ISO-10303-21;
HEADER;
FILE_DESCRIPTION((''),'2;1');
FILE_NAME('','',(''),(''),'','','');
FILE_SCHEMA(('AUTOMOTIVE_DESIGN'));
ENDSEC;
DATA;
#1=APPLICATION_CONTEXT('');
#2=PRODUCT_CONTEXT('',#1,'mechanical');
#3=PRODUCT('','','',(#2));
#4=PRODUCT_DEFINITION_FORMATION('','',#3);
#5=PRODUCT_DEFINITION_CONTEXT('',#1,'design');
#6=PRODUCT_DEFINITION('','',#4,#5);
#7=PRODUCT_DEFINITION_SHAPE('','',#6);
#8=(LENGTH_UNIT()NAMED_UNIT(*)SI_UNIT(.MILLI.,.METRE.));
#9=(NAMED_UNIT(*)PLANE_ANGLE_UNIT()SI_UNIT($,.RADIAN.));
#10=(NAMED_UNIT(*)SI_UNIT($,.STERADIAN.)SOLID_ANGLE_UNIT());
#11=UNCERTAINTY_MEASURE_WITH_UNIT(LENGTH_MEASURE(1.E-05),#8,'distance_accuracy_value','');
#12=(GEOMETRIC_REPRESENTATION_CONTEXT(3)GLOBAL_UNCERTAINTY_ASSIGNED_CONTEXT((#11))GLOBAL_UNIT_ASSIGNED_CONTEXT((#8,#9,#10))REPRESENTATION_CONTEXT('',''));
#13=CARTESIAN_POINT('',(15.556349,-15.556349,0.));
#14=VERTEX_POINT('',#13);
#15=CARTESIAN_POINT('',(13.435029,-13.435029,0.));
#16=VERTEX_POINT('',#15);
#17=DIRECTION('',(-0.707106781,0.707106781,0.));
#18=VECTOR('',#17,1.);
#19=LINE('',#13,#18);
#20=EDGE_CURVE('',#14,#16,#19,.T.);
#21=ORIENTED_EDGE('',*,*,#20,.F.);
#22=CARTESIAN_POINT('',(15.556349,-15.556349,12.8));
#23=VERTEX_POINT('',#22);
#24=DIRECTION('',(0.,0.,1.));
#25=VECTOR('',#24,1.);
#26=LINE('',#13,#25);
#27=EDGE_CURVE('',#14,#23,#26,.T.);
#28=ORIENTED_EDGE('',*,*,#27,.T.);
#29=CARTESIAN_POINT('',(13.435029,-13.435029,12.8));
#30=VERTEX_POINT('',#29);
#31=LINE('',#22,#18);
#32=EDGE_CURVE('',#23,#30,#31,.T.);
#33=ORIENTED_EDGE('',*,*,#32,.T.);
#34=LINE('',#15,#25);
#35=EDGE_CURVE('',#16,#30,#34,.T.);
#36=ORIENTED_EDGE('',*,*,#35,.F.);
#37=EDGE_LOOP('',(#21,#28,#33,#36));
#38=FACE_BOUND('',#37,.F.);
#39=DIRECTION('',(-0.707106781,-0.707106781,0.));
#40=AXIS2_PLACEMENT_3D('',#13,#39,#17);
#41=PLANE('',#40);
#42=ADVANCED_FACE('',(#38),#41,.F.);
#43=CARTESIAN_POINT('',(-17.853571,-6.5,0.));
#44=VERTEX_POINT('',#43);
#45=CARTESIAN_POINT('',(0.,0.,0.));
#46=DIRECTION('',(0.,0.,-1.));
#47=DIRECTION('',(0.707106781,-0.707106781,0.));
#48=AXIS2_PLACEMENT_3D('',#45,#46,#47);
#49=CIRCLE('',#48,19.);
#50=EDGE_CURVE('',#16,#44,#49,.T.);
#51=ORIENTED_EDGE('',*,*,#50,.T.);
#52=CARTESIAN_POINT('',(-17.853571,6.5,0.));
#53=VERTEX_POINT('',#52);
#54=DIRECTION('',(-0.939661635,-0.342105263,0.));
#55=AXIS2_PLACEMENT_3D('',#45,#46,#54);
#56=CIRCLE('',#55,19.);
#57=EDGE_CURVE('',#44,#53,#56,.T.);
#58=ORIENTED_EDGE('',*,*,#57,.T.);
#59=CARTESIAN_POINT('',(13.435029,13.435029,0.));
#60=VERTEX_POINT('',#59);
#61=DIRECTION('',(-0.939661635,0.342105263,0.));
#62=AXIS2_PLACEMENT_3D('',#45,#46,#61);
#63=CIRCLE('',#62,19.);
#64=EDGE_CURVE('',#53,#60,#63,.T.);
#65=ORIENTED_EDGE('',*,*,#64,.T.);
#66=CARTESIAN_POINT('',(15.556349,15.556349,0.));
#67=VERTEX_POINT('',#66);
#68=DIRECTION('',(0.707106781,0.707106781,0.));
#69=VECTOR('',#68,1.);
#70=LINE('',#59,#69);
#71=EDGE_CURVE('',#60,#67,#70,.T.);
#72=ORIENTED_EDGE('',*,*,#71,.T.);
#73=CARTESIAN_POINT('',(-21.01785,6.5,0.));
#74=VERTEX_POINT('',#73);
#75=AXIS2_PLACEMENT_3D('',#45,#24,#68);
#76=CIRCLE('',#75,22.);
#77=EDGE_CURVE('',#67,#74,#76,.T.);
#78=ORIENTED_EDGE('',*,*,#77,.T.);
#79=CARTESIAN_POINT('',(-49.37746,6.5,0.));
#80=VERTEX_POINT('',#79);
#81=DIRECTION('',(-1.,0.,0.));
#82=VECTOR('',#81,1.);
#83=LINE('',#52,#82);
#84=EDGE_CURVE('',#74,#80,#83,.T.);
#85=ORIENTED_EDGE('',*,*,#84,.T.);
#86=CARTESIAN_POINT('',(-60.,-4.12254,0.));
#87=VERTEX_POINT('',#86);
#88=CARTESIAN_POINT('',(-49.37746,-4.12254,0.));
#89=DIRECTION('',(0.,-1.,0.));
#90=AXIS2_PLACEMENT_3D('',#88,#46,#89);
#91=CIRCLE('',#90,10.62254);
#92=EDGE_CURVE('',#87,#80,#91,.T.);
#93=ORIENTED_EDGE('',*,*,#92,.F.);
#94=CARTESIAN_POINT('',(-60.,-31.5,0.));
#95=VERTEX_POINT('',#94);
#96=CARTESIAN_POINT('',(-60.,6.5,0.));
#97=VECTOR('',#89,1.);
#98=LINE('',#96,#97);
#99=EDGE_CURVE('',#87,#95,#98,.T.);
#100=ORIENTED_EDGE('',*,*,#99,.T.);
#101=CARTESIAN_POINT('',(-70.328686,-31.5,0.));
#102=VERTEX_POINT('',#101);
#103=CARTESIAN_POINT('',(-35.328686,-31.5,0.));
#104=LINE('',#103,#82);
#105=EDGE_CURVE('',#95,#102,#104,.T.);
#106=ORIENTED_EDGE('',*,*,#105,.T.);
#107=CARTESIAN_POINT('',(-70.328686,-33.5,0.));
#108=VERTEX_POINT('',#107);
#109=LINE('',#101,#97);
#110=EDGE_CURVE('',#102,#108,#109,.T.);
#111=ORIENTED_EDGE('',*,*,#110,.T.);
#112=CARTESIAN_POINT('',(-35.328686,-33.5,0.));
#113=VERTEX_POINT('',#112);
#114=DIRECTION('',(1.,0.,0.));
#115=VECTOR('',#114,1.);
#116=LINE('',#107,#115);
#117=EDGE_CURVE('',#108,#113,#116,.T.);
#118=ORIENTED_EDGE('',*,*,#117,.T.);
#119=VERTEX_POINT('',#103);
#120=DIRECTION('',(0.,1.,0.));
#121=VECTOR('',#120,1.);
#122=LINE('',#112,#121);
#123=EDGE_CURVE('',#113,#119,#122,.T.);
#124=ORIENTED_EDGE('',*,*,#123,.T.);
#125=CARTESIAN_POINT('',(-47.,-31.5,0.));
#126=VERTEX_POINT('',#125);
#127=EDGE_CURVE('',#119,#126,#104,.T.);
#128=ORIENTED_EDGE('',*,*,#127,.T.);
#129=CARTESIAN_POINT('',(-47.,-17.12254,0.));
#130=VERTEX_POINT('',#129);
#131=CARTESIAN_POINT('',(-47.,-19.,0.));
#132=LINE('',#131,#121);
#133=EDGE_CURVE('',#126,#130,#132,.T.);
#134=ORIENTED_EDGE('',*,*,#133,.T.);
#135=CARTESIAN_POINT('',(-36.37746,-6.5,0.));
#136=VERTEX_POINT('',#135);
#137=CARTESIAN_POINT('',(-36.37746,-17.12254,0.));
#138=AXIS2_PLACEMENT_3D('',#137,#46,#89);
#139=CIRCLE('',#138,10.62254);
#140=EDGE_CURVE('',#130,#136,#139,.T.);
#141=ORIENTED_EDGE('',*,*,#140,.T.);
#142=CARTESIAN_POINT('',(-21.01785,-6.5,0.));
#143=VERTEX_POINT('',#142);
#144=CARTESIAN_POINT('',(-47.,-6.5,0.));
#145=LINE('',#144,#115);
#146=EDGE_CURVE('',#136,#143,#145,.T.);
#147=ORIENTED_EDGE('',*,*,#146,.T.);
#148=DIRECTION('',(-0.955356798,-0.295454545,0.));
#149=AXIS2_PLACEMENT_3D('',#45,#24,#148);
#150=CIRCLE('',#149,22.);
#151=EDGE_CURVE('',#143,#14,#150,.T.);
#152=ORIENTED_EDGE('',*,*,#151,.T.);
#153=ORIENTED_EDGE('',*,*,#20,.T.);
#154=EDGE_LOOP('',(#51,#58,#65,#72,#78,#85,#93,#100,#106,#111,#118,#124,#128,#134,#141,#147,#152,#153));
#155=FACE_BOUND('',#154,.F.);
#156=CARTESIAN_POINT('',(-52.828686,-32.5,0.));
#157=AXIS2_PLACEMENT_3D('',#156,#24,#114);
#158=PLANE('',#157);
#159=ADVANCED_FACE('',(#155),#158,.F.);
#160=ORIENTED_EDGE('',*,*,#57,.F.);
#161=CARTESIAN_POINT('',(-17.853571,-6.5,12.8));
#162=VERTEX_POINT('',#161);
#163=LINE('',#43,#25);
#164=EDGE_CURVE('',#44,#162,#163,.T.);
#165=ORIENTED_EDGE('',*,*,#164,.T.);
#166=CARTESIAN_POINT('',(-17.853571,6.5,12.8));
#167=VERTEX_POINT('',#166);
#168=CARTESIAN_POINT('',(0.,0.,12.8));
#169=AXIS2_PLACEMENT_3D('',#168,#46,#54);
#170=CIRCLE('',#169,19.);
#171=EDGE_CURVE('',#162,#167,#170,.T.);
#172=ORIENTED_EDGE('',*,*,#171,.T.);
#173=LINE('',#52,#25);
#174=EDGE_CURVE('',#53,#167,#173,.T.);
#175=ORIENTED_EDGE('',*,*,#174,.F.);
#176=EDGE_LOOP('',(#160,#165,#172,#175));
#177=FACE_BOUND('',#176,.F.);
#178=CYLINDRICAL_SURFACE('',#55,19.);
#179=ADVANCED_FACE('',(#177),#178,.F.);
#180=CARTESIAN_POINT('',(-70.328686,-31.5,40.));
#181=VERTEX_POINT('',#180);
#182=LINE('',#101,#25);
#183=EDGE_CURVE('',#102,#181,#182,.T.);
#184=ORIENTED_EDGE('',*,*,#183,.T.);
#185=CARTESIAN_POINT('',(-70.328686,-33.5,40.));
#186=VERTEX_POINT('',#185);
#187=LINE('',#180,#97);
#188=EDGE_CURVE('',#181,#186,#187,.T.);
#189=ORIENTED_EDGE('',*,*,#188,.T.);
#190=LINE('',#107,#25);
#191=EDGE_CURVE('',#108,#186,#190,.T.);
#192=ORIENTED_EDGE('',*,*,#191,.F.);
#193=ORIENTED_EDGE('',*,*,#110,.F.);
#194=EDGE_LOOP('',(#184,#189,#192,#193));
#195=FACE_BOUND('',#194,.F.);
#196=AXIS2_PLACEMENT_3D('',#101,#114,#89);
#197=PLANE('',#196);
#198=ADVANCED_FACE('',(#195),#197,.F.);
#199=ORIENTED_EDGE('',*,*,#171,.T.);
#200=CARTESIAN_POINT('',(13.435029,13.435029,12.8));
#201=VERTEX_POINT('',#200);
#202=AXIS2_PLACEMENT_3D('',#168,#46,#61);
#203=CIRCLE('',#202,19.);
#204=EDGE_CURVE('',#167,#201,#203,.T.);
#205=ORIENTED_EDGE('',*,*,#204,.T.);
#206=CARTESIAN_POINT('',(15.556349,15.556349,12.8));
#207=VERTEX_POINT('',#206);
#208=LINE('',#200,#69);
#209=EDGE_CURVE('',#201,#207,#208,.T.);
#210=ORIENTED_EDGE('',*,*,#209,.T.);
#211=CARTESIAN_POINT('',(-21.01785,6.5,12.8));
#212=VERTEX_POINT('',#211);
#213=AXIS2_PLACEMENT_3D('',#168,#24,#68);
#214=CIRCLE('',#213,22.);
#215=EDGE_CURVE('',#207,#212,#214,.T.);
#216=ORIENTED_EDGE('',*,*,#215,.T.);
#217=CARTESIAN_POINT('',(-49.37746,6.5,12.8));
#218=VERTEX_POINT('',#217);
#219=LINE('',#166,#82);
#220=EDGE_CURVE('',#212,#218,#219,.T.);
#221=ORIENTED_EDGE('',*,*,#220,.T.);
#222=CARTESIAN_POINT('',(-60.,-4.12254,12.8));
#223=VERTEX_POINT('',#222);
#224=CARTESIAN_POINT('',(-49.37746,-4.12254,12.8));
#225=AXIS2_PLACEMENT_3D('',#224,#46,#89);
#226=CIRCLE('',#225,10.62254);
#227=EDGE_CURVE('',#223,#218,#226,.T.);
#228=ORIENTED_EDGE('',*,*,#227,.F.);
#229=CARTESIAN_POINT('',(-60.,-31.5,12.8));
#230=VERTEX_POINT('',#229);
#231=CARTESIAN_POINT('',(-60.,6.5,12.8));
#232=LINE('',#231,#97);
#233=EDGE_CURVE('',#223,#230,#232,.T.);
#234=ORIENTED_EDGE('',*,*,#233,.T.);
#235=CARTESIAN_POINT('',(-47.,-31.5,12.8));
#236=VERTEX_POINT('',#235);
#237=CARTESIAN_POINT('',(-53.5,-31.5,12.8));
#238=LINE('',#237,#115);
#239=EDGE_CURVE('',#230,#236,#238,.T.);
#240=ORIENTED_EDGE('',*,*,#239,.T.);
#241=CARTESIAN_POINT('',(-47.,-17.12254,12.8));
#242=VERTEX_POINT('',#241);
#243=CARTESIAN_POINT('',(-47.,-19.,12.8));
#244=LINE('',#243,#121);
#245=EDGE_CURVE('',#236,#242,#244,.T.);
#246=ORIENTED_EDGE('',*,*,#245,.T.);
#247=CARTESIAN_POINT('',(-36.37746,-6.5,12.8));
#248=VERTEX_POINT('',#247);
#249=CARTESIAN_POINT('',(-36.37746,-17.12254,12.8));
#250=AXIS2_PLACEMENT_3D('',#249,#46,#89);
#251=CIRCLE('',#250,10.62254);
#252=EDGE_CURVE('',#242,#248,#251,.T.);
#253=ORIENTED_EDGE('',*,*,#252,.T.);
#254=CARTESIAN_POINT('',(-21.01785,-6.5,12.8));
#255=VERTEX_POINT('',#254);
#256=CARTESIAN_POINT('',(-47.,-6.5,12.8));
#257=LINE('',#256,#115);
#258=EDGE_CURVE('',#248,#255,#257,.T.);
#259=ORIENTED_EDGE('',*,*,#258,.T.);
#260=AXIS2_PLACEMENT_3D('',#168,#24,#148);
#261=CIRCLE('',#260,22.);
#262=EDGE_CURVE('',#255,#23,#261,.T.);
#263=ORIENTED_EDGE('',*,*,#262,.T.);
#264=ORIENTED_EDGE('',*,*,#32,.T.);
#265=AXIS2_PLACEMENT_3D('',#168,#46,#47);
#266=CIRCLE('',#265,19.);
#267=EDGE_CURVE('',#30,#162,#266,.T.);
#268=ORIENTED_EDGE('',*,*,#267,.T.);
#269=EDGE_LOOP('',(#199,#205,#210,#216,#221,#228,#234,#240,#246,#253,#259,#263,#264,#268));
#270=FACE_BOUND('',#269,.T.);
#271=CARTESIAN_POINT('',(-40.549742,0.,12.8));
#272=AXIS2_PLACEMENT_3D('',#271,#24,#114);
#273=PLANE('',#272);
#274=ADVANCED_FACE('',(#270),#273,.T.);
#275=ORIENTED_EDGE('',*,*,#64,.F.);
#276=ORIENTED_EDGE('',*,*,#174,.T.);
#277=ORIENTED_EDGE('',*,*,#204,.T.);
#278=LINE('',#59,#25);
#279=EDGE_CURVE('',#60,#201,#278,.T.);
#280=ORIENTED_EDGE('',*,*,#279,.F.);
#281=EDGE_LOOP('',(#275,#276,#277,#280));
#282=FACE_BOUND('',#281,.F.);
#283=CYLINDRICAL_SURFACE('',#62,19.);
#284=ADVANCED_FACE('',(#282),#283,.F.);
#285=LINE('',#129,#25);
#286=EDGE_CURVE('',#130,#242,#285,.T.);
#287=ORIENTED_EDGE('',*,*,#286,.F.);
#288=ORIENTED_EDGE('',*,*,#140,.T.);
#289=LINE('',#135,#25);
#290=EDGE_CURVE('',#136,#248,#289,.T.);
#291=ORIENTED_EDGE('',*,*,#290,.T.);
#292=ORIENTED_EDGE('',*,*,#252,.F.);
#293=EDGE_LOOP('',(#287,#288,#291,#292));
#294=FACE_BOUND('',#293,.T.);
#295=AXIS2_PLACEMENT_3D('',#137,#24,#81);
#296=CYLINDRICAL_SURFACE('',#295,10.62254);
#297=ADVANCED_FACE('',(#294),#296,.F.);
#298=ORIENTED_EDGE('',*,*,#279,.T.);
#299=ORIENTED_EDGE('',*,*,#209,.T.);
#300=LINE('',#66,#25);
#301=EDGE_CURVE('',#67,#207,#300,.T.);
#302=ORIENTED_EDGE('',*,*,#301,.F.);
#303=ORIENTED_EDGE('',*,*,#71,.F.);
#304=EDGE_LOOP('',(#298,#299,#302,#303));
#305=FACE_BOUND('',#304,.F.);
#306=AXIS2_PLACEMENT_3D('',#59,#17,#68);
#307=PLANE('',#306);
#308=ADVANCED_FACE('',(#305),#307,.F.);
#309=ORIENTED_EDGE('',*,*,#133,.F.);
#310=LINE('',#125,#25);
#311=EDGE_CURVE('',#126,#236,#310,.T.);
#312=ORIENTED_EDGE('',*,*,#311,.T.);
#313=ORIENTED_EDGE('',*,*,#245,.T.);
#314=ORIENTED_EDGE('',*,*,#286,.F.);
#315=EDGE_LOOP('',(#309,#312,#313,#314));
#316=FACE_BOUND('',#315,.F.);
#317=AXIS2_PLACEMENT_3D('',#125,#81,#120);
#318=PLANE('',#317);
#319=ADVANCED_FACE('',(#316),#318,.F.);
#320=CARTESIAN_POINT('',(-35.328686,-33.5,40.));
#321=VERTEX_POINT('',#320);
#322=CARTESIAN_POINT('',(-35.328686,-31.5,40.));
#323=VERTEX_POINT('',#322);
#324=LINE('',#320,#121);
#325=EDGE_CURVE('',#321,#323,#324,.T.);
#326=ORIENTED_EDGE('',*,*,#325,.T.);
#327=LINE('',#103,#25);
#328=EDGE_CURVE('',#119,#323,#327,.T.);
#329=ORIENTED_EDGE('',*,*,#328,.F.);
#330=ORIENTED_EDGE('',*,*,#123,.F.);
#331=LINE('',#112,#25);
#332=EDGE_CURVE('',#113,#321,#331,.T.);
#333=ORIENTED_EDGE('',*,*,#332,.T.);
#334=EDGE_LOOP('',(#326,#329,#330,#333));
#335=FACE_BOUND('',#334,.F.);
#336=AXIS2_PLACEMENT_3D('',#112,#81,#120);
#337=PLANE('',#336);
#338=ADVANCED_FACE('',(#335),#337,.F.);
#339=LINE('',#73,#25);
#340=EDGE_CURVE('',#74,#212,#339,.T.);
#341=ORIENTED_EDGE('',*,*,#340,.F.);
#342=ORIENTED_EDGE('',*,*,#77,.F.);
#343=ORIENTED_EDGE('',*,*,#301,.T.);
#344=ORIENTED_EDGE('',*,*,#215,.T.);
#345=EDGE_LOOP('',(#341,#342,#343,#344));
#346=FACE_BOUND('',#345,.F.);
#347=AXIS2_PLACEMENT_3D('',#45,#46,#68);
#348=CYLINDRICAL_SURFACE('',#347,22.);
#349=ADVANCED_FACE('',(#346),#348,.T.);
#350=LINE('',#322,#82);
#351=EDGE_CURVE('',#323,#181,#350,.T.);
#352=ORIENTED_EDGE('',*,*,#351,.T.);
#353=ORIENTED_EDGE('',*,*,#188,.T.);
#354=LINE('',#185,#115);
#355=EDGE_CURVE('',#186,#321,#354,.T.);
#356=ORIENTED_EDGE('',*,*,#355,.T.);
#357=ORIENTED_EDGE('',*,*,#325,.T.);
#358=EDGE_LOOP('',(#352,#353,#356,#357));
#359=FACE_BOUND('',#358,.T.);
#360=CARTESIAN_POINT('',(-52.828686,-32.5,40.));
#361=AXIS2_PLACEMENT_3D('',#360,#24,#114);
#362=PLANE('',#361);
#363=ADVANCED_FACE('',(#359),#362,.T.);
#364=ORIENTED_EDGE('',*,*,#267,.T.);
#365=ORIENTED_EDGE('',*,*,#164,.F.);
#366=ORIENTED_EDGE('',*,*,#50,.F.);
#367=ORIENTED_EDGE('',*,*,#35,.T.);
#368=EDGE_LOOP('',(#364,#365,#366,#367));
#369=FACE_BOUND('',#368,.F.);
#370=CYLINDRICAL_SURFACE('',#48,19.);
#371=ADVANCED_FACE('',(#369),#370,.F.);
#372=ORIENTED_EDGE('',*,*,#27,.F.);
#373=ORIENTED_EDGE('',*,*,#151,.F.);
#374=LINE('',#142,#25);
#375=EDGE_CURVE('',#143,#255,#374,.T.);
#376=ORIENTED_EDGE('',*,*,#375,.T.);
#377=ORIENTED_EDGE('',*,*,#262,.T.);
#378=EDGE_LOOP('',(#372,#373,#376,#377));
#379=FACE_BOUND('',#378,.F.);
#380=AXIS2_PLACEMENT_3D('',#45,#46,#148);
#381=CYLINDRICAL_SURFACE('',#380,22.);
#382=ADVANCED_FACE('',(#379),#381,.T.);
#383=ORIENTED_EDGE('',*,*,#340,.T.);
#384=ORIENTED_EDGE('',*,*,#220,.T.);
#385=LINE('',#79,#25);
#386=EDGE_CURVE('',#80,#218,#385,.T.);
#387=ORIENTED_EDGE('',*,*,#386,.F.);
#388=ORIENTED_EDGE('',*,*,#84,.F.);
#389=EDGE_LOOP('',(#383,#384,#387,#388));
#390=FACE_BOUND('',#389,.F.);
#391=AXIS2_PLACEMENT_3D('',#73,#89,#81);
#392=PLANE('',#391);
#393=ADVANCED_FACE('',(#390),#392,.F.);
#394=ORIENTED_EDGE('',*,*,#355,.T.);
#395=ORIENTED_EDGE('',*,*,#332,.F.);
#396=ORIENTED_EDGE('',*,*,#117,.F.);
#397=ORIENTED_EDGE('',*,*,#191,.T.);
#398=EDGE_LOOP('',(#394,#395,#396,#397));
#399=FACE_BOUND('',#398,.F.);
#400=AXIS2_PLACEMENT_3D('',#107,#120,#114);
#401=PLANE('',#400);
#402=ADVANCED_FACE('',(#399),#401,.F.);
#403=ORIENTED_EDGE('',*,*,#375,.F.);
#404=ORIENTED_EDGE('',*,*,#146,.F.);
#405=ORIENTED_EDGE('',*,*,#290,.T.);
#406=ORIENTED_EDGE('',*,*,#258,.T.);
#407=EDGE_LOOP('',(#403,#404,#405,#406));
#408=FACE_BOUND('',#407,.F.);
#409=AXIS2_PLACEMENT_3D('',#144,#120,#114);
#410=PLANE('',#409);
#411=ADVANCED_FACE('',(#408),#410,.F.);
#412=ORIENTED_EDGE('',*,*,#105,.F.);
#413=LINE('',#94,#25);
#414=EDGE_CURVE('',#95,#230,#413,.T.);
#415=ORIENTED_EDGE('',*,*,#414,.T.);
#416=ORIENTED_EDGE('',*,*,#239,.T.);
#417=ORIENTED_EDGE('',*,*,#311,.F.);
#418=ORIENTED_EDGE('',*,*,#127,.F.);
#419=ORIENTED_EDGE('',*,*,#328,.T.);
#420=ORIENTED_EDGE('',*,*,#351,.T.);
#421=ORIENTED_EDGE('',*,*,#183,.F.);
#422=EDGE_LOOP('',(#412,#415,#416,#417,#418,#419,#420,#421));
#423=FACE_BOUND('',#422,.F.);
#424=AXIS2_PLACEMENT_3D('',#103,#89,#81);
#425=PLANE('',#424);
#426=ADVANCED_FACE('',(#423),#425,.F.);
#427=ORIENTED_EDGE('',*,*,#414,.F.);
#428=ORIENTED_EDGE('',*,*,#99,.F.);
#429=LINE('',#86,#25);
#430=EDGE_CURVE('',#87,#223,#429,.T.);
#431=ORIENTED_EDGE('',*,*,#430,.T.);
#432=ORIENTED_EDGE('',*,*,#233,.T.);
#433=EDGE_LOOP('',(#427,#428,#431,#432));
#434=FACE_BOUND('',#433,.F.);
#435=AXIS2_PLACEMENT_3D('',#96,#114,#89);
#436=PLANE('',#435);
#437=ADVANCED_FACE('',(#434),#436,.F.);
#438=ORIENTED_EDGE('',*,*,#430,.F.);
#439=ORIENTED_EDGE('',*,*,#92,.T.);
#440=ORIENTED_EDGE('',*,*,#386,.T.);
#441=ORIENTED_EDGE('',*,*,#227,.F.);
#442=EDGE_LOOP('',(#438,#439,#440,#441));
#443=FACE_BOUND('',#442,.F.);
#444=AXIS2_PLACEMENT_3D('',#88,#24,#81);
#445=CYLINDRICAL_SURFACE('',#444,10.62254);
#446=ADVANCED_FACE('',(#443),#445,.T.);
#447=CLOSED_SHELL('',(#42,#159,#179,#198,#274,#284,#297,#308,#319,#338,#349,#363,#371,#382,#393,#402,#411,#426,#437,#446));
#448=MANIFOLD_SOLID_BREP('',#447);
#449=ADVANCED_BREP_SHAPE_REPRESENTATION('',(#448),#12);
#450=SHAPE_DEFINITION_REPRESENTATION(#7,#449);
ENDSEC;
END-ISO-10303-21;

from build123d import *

# Parameters (mm, degrees)
F0_W     = 13
F0_H     = 25
F1_DEPTH = 12.8
F2_DEPTH = 40
F3_R     = 10.6225396744


with BuildPart() as f1:
    # F0 (on Top) → F1 (new body)
    with BuildSketch(Plane.XY):
        with BuildLine():
            ThreePointArc((-21.017849557, -6.5), (-22, 0), (-21.017849557, 6.5))
            Line((-21.017849557, 6.5), (-60, 6.5))
            Line((-60, 6.5), (-60, -6.5))
            Line((-60, -6.5), (-47, -6.5))
            Line((-47, -6.5), (-21.017849557, -6.5))
        make_face()
        with Locations((-53.5, -19)):
            Rectangle(F0_W, F0_H)
        with BuildLine():
            ThreePointArc((-17.8535710714, -6.5), (-19, 0), (-17.8535710714, 6.5))
            Line((-17.8535710714, 6.5), (-21.017849557, 6.5))
            ThreePointArc((-21.017849557, 6.5), (-22, 0), (-21.017849557, -6.5))
            Line((-21.017849557, -6.5), (-17.8535710714, -6.5))
        make_face()
        with BuildLine():
            Line((15.5563491861, -15.5563491861), (13.4350288425, -13.4350288425))
            ThreePointArc((13.4350288425, -13.4350288425), (-4.1115125099, -18.5498103732), (-17.8535710714, -6.5))
            Line((-17.8535710714, -6.5), (-21.017849557, -6.5))
            ThreePointArc((-21.017849557, -6.5), (-5.2878503875, -21.3550611865), (15.5563491861, -15.5563491861))
        make_face()
        with BuildLine():
            ThreePointArc((-17.8535710714, 6.5), (-4.1115125099, 18.5498103732), (13.4350288425, 13.4350288425))
            Line((13.4350288425, 13.4350288425), (15.5563491861, 15.5563491861))
            ThreePointArc((15.5563491861, 15.5563491861), (-5.2878503875, 21.3550611865), (-21.017849557, 6.5))
            Line((-21.017849557, 6.5), (-17.8535710714, 6.5))
        make_face()
    extrude(amount=F1_DEPTH)

    # F0 (on Top) → F2 (join)
    with BuildSketch(Plane.XY):
        Polygon((-35.3286863863, -31.5), (-47, -31.5), (-60, -31.5), (-70.3286863863, -31.5), (-70.3286863863, -33.5), (-35.3286863863, -33.5), align=None)
    extrude(amount=F2_DEPTH)

    # F3
    f3_edges = [f1.edges().sort_by_distance(p)[0] for p in [
        (-60, 6.5, 6.4),
        (-47, -6.5, 6.4),
    ]]
    fillet(f3_edges, radius=F3_R)


solid = f1.part
